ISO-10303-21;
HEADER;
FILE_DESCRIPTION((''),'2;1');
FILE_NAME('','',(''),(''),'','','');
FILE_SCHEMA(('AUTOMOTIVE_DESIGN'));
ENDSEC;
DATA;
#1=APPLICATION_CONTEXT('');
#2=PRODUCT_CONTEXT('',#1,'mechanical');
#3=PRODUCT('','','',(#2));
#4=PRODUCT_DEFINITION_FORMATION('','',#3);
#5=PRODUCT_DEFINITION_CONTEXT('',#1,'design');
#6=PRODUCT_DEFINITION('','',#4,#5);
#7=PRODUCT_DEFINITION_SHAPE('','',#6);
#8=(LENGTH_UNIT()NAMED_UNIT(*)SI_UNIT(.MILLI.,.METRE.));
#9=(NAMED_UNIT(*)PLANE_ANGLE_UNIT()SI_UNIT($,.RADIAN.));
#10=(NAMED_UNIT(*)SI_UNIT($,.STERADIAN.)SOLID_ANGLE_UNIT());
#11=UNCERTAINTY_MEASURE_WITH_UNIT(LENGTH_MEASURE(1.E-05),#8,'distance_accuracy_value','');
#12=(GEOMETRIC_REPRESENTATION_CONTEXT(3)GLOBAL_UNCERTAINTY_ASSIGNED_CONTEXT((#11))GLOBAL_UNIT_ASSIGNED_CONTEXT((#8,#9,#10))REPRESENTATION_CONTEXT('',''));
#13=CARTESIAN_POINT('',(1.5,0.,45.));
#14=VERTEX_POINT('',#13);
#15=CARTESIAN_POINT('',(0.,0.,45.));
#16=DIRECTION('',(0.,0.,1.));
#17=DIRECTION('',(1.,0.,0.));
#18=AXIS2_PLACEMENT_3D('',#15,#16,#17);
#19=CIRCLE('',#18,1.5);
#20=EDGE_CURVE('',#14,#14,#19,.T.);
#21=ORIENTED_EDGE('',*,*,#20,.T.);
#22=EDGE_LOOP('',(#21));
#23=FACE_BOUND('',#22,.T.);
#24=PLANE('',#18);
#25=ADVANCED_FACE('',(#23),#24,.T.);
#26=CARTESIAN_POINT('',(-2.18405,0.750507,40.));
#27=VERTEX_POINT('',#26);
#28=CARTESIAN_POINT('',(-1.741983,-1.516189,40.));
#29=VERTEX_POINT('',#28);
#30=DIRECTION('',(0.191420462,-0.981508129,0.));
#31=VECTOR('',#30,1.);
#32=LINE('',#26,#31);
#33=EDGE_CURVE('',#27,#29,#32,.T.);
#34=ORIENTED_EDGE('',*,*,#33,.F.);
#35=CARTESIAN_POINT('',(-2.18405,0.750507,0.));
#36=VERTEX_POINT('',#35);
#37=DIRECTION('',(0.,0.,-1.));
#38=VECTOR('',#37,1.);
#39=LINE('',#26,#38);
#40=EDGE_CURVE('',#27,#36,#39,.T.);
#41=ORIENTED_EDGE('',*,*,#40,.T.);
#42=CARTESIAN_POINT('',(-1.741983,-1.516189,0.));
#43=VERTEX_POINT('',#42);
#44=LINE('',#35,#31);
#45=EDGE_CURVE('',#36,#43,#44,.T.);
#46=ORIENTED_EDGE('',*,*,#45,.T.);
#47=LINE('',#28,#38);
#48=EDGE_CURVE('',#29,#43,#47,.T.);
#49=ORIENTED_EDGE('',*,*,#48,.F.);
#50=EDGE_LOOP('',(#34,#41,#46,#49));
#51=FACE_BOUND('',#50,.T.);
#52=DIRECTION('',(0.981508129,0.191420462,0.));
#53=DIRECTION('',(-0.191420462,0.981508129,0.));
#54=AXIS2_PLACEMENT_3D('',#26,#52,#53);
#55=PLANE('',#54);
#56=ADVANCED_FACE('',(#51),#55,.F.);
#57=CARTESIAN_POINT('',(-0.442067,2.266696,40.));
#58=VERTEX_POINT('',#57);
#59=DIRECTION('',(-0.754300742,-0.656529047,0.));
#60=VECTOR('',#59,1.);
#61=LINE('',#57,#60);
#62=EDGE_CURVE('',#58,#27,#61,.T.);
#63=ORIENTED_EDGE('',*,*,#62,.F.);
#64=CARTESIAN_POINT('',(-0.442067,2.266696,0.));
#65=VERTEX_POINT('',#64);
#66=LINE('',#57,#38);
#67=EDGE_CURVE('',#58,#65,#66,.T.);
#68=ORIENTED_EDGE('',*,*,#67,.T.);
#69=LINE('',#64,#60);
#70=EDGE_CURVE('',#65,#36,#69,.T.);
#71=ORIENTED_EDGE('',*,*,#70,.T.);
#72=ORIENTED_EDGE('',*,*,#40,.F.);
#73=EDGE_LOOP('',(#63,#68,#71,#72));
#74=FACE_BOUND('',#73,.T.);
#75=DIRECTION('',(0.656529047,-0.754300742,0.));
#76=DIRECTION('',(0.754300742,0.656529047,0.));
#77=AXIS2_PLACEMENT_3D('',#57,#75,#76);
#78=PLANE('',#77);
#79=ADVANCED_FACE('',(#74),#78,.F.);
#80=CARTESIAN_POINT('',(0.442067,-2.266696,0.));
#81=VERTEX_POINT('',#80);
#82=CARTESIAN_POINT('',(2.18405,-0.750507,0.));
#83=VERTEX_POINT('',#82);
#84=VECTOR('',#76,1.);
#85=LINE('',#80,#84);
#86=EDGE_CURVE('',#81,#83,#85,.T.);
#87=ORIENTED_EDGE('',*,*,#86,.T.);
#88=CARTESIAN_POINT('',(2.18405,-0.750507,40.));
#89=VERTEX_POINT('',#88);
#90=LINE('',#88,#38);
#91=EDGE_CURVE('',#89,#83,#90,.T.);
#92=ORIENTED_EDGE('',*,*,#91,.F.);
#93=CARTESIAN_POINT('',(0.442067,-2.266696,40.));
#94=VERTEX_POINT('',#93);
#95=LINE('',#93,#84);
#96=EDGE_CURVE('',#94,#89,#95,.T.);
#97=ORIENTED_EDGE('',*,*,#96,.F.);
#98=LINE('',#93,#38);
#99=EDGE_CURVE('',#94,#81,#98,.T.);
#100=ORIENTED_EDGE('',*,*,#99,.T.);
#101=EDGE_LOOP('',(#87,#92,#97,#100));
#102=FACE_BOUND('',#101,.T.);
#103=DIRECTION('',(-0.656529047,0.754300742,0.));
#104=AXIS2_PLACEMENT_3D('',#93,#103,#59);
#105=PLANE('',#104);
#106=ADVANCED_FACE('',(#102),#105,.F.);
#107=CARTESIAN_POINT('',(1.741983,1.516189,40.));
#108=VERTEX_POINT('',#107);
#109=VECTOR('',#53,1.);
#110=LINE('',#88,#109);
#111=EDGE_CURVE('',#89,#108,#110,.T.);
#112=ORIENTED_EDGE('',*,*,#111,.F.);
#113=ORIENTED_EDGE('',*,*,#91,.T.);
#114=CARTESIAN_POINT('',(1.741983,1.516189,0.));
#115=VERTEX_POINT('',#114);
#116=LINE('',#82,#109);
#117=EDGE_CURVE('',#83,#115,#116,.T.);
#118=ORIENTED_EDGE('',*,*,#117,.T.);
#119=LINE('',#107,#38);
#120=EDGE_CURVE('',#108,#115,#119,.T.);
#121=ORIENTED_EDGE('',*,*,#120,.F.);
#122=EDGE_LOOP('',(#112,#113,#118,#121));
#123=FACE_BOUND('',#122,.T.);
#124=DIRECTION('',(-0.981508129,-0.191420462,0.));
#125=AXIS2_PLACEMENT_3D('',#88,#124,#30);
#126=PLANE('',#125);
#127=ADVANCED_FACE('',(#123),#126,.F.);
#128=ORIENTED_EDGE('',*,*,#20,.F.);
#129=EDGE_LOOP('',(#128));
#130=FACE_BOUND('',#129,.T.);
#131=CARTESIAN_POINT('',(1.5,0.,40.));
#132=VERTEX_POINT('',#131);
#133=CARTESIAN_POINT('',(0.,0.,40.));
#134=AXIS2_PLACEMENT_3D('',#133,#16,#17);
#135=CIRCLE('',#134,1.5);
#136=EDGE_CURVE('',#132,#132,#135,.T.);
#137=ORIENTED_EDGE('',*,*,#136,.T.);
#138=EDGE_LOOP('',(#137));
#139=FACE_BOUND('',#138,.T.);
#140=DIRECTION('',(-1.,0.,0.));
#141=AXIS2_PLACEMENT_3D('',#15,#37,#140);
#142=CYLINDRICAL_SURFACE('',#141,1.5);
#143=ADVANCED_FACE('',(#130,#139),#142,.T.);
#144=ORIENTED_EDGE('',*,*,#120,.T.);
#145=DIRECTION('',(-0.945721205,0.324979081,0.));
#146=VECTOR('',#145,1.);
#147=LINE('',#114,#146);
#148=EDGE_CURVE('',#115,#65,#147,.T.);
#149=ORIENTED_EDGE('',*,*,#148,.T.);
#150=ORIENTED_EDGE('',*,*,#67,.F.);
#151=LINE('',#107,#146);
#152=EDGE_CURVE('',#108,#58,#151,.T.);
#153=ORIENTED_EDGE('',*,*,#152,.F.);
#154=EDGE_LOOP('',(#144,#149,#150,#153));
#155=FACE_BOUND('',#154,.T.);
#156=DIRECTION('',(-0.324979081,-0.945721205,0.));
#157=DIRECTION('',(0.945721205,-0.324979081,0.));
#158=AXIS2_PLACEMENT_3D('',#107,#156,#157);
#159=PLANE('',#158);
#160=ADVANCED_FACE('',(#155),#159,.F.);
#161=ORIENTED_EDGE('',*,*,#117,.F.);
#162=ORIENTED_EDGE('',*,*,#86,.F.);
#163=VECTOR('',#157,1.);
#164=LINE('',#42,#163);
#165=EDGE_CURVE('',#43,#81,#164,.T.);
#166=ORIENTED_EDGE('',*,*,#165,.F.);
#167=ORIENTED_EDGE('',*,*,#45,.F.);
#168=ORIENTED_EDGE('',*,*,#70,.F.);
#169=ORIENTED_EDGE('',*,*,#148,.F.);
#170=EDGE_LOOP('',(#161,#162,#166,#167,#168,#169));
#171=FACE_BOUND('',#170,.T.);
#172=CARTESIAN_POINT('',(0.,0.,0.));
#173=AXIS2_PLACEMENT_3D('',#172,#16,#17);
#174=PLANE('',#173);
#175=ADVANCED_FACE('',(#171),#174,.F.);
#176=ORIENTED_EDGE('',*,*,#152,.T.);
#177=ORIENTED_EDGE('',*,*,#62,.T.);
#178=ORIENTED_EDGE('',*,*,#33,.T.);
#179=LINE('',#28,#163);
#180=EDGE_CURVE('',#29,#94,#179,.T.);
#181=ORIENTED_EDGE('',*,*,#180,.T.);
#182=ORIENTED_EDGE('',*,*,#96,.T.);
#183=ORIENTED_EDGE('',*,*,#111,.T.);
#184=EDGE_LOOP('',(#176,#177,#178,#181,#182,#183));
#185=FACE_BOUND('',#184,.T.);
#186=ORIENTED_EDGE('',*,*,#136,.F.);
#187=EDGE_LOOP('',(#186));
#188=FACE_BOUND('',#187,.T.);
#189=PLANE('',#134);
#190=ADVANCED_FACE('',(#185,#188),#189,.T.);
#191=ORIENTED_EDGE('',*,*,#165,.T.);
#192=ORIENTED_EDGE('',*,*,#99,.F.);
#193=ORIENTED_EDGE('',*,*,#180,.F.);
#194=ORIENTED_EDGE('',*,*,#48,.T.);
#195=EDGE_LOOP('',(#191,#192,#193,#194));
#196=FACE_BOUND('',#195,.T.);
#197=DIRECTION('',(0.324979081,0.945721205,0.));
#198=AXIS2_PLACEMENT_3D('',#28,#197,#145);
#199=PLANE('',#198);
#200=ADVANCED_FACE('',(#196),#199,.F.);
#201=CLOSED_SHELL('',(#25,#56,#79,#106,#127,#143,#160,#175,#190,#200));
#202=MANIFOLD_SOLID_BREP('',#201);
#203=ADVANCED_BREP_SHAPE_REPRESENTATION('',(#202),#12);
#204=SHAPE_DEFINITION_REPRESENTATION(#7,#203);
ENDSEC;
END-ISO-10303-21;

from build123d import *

# Parameters (mm, degrees)
BOSS_EXTRUDE1_DEPTH = 40
SKETCH2_R           = 1.5
BOSS_EXTRUDE2_DEPTH = 5


with BuildPart() as part:
    # Sketch1 → Boss-Extrude1 (new body)
    with BuildSketch(Plane.XY):
        Polygon((2.184049568, -0.75050704), (1.741982946, 1.516188889), (-0.442066622, 2.266695929), (-2.184049568, 0.75050704), (-1.741982946, -1.516188889), (0.442066622, -2.266695929), align=None)
    extrude(amount=BOSS_EXTRUDE1_DEPTH)

    # Sketch2 → Boss-Extrude2 (add)
    with BuildSketch(Plane.XY.offset(40)):
        Circle(SKETCH2_R)
    extrude(amount=BOSS_EXTRUDE2_DEPTH)


solid = part.part
